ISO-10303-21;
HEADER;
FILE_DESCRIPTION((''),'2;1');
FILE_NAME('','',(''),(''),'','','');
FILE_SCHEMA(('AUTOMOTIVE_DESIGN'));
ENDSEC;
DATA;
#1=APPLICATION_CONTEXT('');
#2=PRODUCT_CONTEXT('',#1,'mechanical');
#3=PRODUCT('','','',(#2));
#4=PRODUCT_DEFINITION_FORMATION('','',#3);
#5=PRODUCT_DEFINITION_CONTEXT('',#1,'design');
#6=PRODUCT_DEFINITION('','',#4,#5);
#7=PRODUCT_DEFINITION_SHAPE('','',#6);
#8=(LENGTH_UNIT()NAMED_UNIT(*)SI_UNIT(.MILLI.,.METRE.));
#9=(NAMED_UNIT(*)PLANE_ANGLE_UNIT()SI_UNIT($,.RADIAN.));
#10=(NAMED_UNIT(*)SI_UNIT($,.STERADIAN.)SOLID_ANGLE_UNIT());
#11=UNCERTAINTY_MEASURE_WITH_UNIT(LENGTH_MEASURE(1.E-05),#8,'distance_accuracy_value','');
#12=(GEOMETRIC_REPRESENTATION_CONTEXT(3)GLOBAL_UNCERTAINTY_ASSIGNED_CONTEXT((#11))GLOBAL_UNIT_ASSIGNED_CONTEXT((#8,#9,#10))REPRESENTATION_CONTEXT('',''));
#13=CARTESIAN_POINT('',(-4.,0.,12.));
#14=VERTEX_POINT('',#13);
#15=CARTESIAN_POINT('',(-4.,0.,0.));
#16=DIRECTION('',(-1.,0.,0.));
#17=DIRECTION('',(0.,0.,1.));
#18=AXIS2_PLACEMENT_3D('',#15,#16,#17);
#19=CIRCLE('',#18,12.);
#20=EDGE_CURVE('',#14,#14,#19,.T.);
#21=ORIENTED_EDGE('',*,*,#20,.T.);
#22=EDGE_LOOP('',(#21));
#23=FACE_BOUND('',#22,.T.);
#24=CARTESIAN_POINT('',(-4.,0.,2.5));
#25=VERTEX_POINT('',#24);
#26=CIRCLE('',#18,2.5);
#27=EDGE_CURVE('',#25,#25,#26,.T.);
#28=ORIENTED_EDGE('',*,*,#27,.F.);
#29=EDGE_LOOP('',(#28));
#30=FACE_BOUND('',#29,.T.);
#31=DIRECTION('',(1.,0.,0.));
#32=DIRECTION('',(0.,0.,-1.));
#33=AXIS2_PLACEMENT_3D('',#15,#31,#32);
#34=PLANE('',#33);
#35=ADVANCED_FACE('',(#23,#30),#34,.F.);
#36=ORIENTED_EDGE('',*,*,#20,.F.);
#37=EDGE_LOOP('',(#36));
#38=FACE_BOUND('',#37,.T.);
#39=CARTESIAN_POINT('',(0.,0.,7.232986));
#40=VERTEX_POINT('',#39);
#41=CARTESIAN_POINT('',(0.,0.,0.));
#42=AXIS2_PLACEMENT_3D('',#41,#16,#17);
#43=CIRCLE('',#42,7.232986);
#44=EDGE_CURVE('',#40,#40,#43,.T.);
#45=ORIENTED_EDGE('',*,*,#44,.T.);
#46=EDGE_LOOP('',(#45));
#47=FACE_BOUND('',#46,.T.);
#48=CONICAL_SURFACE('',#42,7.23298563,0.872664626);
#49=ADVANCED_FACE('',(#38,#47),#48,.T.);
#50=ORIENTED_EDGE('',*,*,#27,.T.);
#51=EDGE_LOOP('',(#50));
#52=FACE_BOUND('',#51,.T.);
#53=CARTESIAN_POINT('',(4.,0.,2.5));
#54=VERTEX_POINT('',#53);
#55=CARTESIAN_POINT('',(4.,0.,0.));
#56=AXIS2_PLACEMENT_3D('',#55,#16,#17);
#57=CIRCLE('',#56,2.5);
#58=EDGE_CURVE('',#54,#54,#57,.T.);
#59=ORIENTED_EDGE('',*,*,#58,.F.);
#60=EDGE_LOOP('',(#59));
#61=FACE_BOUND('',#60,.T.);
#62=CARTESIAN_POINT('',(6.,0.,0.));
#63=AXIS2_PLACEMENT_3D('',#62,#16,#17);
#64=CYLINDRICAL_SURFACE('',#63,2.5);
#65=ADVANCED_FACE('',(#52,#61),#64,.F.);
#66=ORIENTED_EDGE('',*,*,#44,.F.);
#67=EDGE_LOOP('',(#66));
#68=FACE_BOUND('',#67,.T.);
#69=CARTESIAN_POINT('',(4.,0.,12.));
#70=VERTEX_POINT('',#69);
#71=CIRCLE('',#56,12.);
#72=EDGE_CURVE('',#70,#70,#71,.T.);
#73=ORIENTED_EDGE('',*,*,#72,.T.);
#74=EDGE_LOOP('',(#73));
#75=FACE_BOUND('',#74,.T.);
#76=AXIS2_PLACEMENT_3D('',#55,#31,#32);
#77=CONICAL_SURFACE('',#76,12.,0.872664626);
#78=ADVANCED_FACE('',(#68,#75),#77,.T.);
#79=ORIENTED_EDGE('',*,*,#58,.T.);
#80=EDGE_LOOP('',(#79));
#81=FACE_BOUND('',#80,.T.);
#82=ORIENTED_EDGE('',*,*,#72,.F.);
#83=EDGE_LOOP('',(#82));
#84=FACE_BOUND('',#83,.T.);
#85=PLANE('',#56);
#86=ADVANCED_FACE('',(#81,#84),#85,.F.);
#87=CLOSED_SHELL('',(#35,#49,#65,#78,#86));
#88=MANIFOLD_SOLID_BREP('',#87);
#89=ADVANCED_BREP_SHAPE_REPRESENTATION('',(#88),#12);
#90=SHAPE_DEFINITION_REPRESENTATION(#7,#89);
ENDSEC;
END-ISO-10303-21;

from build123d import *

# Parameters (mm, degrees)
SKETCH2_R          = 2.5
CUT_EXTRUDE1_DEPTH = 10


with BuildPart() as part:
    # Sketch1 → Revolve1 (revolve)
    with BuildSketch(Plane(origin=(0, 0, 0), x_dir=(1, 0, 0), z_dir=(0, 1, 0)), mode=Mode.PRIVATE) as revolve1_sk:
        Polygon((4, 0), (-4, 0), (-4, 12), (0, 7.23298563), (4, 12), align=None)
    revolve(revolve1_sk.sketch.rotate(Axis((-23.801041794, 0, 0), (1, 0, 0)), 180), axis=Axis((-23.801041794, 0, 0), (1, 0, 0)))

    # Sketch2 → Cut-Extrude1 (cut)
    with BuildSketch(Plane.ZY.offset(4)):
        Circle(SKETCH2_R)
    extrude(amount=-CUT_EXTRUDE1_DEPTH, mode=Mode.SUBTRACT)


solid = part.part
